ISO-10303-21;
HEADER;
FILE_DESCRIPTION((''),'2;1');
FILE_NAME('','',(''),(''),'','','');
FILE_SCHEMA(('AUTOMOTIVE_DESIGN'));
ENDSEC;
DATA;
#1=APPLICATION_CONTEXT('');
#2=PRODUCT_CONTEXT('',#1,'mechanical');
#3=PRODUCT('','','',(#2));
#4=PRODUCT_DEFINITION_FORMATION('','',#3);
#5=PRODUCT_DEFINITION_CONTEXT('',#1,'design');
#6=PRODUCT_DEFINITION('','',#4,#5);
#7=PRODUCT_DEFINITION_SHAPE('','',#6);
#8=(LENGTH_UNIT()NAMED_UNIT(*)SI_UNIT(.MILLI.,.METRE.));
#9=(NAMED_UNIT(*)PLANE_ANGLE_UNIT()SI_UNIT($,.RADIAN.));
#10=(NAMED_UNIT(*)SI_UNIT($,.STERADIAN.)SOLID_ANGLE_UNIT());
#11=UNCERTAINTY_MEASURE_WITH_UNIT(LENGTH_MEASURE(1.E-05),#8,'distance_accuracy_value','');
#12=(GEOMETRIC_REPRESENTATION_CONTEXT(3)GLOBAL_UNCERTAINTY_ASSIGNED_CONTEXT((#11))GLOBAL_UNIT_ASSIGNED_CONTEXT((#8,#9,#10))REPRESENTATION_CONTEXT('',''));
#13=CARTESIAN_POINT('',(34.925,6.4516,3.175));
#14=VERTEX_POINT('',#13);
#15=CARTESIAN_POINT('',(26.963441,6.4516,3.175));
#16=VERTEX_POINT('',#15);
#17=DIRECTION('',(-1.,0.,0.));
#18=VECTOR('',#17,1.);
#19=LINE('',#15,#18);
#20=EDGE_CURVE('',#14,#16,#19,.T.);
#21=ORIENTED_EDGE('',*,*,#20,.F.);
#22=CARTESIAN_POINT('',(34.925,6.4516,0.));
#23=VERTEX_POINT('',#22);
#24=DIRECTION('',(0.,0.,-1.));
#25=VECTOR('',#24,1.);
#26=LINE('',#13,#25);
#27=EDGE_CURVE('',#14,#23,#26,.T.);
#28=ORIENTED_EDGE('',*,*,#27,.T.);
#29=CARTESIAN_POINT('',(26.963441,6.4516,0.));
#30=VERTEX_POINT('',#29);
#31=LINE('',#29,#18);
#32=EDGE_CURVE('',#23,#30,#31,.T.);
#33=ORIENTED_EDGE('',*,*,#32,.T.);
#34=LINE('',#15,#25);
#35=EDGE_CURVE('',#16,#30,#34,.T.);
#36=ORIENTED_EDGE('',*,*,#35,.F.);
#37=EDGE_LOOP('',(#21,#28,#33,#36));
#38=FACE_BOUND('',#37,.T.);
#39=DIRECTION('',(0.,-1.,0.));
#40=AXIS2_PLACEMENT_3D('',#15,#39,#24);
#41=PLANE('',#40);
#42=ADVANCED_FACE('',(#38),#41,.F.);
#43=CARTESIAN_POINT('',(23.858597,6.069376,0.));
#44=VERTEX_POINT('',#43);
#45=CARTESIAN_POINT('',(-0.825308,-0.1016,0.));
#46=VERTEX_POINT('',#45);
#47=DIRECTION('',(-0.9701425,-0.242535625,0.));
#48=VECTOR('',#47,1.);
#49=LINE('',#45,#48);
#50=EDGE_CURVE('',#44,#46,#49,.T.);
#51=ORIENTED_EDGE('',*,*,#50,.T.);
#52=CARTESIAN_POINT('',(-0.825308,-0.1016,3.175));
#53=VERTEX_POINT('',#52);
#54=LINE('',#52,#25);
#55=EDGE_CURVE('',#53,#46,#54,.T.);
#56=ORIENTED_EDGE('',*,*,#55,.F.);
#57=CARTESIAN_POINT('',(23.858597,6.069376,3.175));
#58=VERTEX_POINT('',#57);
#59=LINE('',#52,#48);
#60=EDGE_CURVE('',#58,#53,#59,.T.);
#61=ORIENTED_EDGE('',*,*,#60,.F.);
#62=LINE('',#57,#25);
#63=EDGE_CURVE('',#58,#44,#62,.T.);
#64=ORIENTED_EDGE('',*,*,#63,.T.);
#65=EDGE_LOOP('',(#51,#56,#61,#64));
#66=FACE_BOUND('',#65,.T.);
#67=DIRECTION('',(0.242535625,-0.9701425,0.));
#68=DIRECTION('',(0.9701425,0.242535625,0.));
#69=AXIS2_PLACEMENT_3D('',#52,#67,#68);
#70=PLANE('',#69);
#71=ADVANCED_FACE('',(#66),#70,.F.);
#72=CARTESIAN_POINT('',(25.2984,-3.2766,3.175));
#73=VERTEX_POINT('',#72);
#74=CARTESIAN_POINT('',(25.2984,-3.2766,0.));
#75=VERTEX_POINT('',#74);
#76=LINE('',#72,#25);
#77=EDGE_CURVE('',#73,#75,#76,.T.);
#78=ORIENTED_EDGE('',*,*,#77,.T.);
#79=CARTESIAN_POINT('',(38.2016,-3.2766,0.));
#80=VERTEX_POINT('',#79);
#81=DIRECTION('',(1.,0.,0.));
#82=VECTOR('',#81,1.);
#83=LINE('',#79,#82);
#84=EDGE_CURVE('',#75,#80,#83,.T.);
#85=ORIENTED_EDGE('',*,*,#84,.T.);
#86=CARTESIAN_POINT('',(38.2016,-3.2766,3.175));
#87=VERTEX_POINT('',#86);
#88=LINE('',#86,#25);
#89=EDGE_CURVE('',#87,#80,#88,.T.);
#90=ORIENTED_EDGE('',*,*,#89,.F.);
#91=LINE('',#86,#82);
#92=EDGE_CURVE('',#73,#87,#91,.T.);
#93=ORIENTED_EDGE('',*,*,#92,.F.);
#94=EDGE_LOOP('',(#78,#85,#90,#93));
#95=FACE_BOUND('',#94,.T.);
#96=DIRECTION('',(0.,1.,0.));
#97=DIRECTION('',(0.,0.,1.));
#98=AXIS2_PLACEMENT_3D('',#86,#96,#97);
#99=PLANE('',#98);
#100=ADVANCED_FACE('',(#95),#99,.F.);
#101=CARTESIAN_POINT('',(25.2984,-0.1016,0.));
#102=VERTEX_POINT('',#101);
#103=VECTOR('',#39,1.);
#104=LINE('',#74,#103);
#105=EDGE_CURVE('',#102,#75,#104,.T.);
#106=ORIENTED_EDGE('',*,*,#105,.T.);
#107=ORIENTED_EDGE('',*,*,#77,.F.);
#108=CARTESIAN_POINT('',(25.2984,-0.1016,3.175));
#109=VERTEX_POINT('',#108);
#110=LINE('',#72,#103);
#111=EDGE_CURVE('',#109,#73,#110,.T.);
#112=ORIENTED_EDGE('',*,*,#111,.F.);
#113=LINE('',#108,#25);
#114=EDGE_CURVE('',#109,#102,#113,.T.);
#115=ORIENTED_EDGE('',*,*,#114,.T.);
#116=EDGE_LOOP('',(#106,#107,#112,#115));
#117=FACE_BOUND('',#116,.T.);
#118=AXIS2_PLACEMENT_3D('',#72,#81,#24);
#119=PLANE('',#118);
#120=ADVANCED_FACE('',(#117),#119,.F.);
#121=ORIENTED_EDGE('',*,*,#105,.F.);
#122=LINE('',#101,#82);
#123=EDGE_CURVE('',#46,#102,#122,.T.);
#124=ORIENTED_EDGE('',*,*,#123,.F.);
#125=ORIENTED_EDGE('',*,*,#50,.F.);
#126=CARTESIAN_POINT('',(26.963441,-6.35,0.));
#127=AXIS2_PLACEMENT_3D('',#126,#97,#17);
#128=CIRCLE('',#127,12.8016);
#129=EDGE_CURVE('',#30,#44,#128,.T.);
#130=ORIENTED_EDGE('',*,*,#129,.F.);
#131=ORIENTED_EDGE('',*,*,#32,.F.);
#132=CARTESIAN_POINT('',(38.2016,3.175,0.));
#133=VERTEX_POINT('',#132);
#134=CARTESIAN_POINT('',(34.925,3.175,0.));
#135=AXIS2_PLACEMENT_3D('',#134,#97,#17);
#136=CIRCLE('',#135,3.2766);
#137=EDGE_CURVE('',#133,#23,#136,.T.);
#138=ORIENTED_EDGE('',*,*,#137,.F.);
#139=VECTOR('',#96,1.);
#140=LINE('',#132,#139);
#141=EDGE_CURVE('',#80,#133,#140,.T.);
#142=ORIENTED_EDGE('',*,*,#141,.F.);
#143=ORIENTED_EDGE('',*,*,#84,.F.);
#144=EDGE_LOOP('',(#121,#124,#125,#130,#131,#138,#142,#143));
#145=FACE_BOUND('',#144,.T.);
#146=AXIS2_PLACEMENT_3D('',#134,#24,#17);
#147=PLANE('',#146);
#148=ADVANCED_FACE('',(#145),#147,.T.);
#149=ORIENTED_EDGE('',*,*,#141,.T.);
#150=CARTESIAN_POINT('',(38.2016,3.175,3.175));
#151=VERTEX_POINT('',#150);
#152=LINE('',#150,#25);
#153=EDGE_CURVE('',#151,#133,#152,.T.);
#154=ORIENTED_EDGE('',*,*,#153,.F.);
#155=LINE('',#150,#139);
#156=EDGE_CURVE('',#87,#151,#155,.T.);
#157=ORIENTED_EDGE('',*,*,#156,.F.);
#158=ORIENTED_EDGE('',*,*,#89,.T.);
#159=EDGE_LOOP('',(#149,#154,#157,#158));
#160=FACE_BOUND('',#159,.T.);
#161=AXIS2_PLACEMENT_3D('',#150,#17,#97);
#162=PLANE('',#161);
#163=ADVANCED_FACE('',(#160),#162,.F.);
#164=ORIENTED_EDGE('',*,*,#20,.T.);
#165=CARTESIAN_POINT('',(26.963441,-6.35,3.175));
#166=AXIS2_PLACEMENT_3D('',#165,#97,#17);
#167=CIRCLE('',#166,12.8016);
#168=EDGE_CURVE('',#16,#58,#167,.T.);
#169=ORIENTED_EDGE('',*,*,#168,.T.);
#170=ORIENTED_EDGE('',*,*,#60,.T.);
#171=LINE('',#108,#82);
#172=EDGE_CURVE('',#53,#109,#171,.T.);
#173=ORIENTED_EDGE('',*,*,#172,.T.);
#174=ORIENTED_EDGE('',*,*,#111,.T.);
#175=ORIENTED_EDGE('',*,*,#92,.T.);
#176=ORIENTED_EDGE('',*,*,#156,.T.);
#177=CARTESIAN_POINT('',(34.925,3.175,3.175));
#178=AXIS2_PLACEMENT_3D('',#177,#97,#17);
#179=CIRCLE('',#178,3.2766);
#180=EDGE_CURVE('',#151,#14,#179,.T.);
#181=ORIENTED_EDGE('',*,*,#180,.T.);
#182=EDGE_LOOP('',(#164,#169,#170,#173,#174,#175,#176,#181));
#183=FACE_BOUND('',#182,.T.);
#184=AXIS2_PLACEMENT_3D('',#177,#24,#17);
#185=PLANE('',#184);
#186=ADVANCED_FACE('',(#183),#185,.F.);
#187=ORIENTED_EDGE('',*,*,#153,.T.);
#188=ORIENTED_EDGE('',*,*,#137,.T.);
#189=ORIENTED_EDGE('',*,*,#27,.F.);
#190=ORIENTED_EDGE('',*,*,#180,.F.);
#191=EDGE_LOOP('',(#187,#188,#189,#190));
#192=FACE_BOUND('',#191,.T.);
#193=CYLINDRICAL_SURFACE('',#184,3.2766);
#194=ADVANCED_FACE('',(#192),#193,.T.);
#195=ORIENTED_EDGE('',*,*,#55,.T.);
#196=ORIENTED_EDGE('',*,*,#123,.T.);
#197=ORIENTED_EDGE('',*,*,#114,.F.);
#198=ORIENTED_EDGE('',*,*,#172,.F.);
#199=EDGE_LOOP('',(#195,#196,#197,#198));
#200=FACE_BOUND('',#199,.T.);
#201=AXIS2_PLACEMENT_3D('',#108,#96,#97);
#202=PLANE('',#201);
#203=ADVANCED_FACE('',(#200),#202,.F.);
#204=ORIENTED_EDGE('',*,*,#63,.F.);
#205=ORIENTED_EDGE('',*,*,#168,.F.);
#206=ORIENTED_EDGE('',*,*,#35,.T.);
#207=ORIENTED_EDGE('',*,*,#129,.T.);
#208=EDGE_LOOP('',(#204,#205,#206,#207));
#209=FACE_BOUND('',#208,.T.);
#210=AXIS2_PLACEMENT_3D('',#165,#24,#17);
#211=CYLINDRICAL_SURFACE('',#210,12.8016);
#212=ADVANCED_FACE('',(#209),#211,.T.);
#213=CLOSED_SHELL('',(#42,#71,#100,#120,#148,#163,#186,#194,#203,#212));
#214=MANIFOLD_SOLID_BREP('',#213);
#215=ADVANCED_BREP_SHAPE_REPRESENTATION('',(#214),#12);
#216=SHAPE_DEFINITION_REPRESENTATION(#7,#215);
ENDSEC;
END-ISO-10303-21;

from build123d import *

# Parameters (mm, degrees)
BOSS_EXTRUDE1_DEPTH = 3.175


with BuildPart() as part:
    # Sketch1 → Boss-Extrude1 (new body)
    with BuildSketch(Plane.XY):
        with BuildLine():
            Line((38.2016, 3.175), (38.2016, -3.2766))
            Line((38.2016, -3.2766), (25.2984, -3.2766))
            Line((25.2984, -3.2766), (25.2984, -0.1016))
            Line((25.2984, -0.1016), (-0.825307532, -0.1016))
            Line((-0.825307532, -0.1016), (23.858597388, 6.06937623))
            ThreePointArc((23.858597388, 6.06937623), (25.399300177, 6.355684738), (26.963441445, 6.4516))
            Line((26.963441445, 6.4516), (34.925, 6.4516))
            ThreePointArc((34.925, 6.4516), (37.241906079, 5.491906079), (38.2016, 3.175))
        make_face()
    extrude(amount=BOSS_EXTRUDE1_DEPTH)


solid = part.part
